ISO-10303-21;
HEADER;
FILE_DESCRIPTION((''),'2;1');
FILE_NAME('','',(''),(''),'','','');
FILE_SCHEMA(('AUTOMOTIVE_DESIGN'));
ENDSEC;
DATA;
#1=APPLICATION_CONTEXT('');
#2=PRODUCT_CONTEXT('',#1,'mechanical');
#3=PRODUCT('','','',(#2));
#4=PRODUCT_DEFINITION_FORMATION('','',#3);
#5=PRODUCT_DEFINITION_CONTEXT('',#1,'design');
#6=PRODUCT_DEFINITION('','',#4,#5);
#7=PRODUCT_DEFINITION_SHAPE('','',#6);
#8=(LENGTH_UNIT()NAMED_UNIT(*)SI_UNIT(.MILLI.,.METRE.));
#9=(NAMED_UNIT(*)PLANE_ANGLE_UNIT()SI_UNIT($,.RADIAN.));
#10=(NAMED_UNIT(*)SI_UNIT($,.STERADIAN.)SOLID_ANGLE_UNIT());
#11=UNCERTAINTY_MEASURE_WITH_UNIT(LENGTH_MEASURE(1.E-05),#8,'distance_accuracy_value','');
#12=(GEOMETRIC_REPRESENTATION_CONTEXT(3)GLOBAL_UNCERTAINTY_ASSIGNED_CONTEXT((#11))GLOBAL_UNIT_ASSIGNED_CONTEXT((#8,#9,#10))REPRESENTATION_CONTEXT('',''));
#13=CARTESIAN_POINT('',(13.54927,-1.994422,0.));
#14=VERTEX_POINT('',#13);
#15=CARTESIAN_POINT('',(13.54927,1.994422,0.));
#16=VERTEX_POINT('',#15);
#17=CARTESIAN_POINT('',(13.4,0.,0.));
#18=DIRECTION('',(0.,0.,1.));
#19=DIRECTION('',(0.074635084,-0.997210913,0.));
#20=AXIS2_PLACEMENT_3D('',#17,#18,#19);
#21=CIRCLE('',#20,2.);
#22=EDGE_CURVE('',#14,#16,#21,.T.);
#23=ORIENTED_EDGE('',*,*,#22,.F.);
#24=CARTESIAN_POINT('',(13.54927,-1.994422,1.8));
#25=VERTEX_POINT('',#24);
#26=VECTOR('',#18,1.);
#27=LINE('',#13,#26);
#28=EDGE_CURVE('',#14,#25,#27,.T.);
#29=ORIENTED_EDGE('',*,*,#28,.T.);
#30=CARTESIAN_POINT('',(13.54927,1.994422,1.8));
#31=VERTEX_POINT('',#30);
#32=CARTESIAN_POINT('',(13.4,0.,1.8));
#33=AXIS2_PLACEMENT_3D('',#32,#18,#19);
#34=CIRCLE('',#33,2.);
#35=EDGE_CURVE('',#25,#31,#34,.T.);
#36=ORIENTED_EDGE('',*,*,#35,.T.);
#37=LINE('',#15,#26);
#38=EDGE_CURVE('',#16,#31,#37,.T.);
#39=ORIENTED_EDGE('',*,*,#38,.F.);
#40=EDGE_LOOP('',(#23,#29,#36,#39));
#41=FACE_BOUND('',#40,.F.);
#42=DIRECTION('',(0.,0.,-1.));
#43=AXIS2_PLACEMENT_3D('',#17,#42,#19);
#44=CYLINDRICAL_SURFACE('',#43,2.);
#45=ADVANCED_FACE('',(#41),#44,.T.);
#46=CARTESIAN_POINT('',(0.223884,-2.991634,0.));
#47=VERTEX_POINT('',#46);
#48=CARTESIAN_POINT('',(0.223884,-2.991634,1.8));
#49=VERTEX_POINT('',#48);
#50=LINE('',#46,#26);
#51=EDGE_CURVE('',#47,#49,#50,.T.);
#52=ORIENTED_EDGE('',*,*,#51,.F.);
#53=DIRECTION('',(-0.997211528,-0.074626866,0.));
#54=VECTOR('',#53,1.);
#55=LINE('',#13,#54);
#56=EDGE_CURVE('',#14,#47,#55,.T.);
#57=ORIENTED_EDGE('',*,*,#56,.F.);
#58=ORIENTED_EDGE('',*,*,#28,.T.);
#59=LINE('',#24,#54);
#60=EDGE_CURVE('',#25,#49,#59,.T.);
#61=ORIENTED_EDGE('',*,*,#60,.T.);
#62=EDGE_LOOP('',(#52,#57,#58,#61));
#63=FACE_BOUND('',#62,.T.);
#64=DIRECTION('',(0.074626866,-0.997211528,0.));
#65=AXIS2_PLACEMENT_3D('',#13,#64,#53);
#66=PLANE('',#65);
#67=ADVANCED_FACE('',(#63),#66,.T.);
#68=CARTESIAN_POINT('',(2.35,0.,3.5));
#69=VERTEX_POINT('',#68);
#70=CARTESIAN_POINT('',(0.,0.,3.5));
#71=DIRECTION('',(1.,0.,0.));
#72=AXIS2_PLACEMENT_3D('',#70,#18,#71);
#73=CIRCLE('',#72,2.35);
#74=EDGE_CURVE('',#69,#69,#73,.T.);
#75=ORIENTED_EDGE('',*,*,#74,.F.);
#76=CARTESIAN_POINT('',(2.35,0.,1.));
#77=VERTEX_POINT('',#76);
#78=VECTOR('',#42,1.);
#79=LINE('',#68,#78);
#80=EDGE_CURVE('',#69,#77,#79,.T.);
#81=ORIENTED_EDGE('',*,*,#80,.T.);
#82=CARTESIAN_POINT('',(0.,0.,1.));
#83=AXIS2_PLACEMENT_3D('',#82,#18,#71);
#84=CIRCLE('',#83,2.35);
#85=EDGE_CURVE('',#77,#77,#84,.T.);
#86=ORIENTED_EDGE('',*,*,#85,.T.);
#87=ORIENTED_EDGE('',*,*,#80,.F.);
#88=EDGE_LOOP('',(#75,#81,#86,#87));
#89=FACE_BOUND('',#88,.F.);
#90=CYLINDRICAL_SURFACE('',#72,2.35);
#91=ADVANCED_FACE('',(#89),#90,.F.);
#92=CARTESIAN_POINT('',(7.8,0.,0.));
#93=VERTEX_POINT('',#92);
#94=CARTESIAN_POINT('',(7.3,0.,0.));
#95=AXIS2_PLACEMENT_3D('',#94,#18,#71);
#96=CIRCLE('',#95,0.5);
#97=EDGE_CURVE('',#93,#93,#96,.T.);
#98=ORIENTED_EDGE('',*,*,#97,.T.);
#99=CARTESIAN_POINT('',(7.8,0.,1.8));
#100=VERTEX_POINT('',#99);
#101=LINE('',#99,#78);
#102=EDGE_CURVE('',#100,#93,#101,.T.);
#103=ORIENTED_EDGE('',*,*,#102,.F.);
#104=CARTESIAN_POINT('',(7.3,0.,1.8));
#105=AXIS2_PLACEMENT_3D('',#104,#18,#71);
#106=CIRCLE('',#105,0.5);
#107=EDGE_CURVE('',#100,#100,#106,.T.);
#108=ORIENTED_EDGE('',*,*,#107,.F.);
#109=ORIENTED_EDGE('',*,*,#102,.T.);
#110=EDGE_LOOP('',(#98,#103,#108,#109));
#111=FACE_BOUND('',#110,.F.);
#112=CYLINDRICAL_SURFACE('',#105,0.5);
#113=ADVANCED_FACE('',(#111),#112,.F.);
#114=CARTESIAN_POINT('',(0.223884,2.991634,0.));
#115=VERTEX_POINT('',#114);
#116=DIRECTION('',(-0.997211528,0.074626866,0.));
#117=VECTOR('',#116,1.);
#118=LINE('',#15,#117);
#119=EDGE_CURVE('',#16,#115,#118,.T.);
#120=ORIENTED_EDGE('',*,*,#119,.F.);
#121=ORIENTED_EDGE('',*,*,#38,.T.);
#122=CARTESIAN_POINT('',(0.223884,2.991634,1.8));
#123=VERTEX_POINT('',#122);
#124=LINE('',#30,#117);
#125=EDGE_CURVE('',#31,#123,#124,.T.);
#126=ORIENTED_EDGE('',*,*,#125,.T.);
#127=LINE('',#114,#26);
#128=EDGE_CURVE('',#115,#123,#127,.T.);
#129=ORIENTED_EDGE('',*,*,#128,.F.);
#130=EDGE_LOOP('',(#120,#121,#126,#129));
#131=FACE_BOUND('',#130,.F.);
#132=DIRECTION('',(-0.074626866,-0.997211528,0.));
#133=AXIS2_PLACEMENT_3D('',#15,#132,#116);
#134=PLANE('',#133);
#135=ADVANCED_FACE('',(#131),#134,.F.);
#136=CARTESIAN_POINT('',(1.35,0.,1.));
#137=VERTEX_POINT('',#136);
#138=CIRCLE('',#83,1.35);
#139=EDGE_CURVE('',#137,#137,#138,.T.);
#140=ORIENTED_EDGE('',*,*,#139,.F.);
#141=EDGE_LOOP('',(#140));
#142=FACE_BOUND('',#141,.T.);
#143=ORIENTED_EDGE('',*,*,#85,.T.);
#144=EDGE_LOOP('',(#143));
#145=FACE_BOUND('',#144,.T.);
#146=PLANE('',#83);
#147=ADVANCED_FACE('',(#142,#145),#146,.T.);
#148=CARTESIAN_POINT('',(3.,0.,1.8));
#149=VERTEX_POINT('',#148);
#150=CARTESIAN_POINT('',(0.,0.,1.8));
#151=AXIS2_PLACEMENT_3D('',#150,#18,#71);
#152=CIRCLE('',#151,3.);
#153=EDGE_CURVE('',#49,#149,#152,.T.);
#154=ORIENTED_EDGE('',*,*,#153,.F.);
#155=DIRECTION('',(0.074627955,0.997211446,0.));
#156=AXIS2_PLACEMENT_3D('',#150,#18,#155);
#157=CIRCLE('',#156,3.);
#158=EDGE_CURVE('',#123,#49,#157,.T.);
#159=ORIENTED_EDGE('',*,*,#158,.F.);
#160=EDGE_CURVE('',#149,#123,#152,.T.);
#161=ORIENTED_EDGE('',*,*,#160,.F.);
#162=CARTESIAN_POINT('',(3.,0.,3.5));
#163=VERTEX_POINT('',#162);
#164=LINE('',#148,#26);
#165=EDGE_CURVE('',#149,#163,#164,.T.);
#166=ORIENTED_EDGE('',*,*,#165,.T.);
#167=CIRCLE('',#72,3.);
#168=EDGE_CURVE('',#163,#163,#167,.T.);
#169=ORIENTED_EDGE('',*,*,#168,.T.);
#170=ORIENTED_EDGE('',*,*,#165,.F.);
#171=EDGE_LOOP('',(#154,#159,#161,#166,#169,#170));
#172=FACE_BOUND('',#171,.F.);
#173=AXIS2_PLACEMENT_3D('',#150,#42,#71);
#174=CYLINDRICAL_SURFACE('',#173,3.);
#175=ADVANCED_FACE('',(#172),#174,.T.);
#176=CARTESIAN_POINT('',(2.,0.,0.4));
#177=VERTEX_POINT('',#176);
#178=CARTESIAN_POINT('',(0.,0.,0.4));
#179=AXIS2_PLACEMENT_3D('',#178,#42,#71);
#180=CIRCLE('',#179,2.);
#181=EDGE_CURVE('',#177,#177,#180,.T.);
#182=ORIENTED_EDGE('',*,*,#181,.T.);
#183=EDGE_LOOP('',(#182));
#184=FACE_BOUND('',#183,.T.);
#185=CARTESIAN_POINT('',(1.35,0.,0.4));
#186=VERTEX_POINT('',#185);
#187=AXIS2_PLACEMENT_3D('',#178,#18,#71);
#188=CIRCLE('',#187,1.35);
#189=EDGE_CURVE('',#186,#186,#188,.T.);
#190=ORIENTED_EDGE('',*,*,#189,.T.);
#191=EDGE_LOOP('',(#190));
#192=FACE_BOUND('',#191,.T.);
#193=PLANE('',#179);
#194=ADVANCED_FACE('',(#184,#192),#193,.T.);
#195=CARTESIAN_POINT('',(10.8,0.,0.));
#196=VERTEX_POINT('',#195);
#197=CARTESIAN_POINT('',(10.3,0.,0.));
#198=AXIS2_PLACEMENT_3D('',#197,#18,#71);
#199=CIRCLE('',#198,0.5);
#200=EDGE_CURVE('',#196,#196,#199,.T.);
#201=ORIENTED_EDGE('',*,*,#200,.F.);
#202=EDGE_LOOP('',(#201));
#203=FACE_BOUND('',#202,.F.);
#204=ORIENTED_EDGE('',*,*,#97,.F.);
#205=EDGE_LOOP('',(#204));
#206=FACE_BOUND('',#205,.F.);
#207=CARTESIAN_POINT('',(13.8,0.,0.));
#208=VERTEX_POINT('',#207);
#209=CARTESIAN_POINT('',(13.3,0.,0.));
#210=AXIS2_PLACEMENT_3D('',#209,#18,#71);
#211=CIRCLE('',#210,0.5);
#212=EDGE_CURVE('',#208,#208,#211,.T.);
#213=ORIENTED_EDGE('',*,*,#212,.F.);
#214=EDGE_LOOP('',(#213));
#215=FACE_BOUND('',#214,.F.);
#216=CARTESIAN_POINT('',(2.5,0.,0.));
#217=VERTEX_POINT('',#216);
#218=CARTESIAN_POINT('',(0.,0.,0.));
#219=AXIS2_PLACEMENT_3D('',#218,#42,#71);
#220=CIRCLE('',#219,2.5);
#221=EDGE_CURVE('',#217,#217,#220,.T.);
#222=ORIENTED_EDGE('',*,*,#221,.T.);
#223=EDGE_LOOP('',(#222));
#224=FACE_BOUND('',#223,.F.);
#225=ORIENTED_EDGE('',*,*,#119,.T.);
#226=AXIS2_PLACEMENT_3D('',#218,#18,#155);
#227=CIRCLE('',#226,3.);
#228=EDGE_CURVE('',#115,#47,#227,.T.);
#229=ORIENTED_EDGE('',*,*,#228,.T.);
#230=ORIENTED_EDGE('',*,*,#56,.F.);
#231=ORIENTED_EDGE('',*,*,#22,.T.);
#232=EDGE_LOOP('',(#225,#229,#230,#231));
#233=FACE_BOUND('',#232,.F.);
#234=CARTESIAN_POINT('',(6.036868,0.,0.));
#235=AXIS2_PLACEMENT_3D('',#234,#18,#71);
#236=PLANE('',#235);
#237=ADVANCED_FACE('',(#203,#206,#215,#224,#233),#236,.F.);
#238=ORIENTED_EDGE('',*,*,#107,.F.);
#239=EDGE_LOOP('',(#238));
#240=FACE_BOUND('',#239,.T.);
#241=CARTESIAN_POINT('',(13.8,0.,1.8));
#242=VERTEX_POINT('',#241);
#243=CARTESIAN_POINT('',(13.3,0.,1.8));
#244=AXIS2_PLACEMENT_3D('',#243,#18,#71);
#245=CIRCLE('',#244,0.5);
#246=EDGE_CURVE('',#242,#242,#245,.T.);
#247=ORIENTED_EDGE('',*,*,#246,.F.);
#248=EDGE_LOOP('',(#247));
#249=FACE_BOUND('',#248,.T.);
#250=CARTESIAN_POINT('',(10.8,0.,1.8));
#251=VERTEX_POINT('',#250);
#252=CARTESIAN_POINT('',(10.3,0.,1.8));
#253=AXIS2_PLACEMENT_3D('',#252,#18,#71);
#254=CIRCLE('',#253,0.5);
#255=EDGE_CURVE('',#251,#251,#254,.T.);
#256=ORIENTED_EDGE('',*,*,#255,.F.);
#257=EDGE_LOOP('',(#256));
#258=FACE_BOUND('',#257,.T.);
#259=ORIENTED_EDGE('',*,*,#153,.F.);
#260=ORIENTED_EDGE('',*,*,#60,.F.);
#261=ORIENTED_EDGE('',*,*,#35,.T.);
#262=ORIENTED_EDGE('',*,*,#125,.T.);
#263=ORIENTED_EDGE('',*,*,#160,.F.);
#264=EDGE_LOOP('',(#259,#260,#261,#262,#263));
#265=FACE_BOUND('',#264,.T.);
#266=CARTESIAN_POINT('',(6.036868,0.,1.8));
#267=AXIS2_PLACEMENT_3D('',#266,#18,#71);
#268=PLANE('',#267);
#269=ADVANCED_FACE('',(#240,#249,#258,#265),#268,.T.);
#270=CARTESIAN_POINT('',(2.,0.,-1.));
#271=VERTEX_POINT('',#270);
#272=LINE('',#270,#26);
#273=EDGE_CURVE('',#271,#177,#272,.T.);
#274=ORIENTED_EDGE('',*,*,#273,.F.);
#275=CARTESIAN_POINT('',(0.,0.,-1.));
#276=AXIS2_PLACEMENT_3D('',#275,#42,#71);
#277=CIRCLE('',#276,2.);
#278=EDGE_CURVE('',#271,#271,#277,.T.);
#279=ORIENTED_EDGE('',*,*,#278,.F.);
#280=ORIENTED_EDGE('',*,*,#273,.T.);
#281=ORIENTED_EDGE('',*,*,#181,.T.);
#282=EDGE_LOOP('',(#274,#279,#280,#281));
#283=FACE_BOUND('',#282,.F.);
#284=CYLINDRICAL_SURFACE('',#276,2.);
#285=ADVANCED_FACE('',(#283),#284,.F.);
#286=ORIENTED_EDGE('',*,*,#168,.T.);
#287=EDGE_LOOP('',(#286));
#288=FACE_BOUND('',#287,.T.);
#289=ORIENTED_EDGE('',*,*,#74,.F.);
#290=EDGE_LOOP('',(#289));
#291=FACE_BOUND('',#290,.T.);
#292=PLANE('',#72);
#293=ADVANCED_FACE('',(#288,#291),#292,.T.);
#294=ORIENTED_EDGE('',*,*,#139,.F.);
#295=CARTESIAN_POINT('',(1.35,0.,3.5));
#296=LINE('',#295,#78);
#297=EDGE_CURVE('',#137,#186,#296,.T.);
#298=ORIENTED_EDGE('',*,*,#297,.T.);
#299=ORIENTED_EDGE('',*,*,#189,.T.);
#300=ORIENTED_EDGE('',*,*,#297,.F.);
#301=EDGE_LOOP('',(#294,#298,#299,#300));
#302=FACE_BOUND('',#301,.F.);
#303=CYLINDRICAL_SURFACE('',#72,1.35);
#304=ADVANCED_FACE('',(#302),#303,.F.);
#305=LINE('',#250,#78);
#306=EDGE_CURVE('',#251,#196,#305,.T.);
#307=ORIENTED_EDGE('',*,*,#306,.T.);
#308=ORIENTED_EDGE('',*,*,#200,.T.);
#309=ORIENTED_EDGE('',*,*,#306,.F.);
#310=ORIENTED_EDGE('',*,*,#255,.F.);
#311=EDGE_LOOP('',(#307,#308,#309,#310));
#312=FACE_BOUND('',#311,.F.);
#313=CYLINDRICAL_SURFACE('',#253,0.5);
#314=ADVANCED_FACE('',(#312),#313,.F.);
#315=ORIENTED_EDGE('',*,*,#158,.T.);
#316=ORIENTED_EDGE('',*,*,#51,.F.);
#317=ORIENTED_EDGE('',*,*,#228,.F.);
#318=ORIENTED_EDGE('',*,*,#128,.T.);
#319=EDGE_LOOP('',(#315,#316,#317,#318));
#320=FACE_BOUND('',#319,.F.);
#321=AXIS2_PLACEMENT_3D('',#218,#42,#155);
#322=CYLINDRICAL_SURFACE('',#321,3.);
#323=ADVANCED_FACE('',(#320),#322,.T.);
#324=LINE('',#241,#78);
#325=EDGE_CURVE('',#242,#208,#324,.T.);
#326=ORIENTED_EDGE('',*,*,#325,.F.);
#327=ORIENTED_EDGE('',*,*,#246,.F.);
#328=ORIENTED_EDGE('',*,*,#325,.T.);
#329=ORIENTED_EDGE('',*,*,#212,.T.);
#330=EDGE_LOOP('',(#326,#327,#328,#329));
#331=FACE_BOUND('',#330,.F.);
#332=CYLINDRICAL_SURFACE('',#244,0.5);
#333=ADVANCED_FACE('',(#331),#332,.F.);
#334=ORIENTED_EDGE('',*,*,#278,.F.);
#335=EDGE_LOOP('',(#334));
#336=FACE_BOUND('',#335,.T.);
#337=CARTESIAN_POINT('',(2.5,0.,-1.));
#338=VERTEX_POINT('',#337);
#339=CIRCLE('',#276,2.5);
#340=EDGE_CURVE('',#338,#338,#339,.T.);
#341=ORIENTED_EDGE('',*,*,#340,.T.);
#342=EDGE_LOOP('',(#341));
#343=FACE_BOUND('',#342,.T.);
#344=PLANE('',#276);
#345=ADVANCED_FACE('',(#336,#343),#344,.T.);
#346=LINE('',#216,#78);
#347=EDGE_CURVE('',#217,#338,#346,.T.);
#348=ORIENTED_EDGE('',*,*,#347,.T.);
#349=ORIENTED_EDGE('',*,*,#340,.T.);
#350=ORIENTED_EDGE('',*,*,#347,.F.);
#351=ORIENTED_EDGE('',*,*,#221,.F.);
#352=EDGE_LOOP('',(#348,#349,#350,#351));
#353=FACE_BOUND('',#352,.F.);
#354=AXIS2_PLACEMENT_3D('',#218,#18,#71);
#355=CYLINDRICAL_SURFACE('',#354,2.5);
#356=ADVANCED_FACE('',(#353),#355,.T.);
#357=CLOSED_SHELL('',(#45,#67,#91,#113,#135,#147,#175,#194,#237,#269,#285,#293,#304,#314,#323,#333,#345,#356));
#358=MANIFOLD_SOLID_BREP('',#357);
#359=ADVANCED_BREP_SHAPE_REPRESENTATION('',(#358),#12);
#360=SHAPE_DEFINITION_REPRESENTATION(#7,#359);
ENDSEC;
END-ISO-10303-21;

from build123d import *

# Parameters (mm, degrees)
PAD_DEPTH       = 1.8
SKETCH001_R     = 3
PAD001_DEPTH    = 1.7
SKETCH002_R     = 2.5
PAD002_DEPTH    = 1
SKETCH003_R     = 2
POCKET_DEPTH    = 1.4
SKETCH004_R     = 2.35
POCKET001_DEPTH = 2.5
SKETCH005_R     = 1.35
POCKET002_DEPTH = 4.501
SKETCH006_R     = 0.5
POCKET003_DEPTH = 2.801


with BuildPart() as part:
    # Sketch → Pad (new body)
    with BuildSketch(Plane.XY):
        with BuildLine():
            ThreePointArc((0.2238838654, 2.9916343384), (-3, -2.741e-07), (0.223884412, -2.9916342975))
            Line((13.5492701682, -1.9944218252), (0.223884412, -2.9916342975))
            ThreePointArc((13.5492701681, -1.9944218252), (15.4, 0), (13.5492701681, 1.9944218252))
            Line((13.5492701682, 1.9944218252), (0.2238838654, 2.9916343384))
        make_face()
    extrude(amount=PAD_DEPTH)

    # Sketch001 → Pad001 (new body)
    with BuildSketch(Plane.XY.offset(1.8)):
        Circle(SKETCH001_R)
    extrude(amount=PAD001_DEPTH)

    # Sketch002 → Pad002 (new body)
    with BuildSketch(Plane(origin=(0, 0, 0), x_dir=(1, 0, 0), z_dir=(0, 0, -1))):
        Circle(SKETCH002_R)
    extrude(amount=PAD002_DEPTH)

    # Sketch003 → Pocket (cut)
    with BuildSketch(Plane(origin=(0, 0, -1), x_dir=(1, 0, 0), z_dir=(0, 0, -1))):
        Circle(SKETCH003_R)
    extrude(amount=-POCKET_DEPTH, mode=Mode.SUBTRACT)

    # Sketch004 → Pocket001 (cut)
    with BuildSketch(Plane.XY.offset(3.5)):
        Circle(SKETCH004_R)
    extrude(amount=-POCKET001_DEPTH, mode=Mode.SUBTRACT)

    # Sketch005 → Pocket002 (cut, through all)
    with BuildSketch(Plane.XY.offset(3.5)):
        Circle(SKETCH005_R)
    extrude(amount=-POCKET002_DEPTH, mode=Mode.SUBTRACT)

    # Sketch006 → Pocket003 (cut, through all)
    with BuildSketch(Plane.XY.offset(1.8)):
        with Locations((7.3, 0)):
            Circle(SKETCH006_R)
        with Locations((10.3, 0)):
            Circle(SKETCH006_R)
        with Locations((13.3, 0)):
            Circle(SKETCH006_R)
    extrude(amount=-POCKET003_DEPTH, mode=Mode.SUBTRACT)


solid = part.part
